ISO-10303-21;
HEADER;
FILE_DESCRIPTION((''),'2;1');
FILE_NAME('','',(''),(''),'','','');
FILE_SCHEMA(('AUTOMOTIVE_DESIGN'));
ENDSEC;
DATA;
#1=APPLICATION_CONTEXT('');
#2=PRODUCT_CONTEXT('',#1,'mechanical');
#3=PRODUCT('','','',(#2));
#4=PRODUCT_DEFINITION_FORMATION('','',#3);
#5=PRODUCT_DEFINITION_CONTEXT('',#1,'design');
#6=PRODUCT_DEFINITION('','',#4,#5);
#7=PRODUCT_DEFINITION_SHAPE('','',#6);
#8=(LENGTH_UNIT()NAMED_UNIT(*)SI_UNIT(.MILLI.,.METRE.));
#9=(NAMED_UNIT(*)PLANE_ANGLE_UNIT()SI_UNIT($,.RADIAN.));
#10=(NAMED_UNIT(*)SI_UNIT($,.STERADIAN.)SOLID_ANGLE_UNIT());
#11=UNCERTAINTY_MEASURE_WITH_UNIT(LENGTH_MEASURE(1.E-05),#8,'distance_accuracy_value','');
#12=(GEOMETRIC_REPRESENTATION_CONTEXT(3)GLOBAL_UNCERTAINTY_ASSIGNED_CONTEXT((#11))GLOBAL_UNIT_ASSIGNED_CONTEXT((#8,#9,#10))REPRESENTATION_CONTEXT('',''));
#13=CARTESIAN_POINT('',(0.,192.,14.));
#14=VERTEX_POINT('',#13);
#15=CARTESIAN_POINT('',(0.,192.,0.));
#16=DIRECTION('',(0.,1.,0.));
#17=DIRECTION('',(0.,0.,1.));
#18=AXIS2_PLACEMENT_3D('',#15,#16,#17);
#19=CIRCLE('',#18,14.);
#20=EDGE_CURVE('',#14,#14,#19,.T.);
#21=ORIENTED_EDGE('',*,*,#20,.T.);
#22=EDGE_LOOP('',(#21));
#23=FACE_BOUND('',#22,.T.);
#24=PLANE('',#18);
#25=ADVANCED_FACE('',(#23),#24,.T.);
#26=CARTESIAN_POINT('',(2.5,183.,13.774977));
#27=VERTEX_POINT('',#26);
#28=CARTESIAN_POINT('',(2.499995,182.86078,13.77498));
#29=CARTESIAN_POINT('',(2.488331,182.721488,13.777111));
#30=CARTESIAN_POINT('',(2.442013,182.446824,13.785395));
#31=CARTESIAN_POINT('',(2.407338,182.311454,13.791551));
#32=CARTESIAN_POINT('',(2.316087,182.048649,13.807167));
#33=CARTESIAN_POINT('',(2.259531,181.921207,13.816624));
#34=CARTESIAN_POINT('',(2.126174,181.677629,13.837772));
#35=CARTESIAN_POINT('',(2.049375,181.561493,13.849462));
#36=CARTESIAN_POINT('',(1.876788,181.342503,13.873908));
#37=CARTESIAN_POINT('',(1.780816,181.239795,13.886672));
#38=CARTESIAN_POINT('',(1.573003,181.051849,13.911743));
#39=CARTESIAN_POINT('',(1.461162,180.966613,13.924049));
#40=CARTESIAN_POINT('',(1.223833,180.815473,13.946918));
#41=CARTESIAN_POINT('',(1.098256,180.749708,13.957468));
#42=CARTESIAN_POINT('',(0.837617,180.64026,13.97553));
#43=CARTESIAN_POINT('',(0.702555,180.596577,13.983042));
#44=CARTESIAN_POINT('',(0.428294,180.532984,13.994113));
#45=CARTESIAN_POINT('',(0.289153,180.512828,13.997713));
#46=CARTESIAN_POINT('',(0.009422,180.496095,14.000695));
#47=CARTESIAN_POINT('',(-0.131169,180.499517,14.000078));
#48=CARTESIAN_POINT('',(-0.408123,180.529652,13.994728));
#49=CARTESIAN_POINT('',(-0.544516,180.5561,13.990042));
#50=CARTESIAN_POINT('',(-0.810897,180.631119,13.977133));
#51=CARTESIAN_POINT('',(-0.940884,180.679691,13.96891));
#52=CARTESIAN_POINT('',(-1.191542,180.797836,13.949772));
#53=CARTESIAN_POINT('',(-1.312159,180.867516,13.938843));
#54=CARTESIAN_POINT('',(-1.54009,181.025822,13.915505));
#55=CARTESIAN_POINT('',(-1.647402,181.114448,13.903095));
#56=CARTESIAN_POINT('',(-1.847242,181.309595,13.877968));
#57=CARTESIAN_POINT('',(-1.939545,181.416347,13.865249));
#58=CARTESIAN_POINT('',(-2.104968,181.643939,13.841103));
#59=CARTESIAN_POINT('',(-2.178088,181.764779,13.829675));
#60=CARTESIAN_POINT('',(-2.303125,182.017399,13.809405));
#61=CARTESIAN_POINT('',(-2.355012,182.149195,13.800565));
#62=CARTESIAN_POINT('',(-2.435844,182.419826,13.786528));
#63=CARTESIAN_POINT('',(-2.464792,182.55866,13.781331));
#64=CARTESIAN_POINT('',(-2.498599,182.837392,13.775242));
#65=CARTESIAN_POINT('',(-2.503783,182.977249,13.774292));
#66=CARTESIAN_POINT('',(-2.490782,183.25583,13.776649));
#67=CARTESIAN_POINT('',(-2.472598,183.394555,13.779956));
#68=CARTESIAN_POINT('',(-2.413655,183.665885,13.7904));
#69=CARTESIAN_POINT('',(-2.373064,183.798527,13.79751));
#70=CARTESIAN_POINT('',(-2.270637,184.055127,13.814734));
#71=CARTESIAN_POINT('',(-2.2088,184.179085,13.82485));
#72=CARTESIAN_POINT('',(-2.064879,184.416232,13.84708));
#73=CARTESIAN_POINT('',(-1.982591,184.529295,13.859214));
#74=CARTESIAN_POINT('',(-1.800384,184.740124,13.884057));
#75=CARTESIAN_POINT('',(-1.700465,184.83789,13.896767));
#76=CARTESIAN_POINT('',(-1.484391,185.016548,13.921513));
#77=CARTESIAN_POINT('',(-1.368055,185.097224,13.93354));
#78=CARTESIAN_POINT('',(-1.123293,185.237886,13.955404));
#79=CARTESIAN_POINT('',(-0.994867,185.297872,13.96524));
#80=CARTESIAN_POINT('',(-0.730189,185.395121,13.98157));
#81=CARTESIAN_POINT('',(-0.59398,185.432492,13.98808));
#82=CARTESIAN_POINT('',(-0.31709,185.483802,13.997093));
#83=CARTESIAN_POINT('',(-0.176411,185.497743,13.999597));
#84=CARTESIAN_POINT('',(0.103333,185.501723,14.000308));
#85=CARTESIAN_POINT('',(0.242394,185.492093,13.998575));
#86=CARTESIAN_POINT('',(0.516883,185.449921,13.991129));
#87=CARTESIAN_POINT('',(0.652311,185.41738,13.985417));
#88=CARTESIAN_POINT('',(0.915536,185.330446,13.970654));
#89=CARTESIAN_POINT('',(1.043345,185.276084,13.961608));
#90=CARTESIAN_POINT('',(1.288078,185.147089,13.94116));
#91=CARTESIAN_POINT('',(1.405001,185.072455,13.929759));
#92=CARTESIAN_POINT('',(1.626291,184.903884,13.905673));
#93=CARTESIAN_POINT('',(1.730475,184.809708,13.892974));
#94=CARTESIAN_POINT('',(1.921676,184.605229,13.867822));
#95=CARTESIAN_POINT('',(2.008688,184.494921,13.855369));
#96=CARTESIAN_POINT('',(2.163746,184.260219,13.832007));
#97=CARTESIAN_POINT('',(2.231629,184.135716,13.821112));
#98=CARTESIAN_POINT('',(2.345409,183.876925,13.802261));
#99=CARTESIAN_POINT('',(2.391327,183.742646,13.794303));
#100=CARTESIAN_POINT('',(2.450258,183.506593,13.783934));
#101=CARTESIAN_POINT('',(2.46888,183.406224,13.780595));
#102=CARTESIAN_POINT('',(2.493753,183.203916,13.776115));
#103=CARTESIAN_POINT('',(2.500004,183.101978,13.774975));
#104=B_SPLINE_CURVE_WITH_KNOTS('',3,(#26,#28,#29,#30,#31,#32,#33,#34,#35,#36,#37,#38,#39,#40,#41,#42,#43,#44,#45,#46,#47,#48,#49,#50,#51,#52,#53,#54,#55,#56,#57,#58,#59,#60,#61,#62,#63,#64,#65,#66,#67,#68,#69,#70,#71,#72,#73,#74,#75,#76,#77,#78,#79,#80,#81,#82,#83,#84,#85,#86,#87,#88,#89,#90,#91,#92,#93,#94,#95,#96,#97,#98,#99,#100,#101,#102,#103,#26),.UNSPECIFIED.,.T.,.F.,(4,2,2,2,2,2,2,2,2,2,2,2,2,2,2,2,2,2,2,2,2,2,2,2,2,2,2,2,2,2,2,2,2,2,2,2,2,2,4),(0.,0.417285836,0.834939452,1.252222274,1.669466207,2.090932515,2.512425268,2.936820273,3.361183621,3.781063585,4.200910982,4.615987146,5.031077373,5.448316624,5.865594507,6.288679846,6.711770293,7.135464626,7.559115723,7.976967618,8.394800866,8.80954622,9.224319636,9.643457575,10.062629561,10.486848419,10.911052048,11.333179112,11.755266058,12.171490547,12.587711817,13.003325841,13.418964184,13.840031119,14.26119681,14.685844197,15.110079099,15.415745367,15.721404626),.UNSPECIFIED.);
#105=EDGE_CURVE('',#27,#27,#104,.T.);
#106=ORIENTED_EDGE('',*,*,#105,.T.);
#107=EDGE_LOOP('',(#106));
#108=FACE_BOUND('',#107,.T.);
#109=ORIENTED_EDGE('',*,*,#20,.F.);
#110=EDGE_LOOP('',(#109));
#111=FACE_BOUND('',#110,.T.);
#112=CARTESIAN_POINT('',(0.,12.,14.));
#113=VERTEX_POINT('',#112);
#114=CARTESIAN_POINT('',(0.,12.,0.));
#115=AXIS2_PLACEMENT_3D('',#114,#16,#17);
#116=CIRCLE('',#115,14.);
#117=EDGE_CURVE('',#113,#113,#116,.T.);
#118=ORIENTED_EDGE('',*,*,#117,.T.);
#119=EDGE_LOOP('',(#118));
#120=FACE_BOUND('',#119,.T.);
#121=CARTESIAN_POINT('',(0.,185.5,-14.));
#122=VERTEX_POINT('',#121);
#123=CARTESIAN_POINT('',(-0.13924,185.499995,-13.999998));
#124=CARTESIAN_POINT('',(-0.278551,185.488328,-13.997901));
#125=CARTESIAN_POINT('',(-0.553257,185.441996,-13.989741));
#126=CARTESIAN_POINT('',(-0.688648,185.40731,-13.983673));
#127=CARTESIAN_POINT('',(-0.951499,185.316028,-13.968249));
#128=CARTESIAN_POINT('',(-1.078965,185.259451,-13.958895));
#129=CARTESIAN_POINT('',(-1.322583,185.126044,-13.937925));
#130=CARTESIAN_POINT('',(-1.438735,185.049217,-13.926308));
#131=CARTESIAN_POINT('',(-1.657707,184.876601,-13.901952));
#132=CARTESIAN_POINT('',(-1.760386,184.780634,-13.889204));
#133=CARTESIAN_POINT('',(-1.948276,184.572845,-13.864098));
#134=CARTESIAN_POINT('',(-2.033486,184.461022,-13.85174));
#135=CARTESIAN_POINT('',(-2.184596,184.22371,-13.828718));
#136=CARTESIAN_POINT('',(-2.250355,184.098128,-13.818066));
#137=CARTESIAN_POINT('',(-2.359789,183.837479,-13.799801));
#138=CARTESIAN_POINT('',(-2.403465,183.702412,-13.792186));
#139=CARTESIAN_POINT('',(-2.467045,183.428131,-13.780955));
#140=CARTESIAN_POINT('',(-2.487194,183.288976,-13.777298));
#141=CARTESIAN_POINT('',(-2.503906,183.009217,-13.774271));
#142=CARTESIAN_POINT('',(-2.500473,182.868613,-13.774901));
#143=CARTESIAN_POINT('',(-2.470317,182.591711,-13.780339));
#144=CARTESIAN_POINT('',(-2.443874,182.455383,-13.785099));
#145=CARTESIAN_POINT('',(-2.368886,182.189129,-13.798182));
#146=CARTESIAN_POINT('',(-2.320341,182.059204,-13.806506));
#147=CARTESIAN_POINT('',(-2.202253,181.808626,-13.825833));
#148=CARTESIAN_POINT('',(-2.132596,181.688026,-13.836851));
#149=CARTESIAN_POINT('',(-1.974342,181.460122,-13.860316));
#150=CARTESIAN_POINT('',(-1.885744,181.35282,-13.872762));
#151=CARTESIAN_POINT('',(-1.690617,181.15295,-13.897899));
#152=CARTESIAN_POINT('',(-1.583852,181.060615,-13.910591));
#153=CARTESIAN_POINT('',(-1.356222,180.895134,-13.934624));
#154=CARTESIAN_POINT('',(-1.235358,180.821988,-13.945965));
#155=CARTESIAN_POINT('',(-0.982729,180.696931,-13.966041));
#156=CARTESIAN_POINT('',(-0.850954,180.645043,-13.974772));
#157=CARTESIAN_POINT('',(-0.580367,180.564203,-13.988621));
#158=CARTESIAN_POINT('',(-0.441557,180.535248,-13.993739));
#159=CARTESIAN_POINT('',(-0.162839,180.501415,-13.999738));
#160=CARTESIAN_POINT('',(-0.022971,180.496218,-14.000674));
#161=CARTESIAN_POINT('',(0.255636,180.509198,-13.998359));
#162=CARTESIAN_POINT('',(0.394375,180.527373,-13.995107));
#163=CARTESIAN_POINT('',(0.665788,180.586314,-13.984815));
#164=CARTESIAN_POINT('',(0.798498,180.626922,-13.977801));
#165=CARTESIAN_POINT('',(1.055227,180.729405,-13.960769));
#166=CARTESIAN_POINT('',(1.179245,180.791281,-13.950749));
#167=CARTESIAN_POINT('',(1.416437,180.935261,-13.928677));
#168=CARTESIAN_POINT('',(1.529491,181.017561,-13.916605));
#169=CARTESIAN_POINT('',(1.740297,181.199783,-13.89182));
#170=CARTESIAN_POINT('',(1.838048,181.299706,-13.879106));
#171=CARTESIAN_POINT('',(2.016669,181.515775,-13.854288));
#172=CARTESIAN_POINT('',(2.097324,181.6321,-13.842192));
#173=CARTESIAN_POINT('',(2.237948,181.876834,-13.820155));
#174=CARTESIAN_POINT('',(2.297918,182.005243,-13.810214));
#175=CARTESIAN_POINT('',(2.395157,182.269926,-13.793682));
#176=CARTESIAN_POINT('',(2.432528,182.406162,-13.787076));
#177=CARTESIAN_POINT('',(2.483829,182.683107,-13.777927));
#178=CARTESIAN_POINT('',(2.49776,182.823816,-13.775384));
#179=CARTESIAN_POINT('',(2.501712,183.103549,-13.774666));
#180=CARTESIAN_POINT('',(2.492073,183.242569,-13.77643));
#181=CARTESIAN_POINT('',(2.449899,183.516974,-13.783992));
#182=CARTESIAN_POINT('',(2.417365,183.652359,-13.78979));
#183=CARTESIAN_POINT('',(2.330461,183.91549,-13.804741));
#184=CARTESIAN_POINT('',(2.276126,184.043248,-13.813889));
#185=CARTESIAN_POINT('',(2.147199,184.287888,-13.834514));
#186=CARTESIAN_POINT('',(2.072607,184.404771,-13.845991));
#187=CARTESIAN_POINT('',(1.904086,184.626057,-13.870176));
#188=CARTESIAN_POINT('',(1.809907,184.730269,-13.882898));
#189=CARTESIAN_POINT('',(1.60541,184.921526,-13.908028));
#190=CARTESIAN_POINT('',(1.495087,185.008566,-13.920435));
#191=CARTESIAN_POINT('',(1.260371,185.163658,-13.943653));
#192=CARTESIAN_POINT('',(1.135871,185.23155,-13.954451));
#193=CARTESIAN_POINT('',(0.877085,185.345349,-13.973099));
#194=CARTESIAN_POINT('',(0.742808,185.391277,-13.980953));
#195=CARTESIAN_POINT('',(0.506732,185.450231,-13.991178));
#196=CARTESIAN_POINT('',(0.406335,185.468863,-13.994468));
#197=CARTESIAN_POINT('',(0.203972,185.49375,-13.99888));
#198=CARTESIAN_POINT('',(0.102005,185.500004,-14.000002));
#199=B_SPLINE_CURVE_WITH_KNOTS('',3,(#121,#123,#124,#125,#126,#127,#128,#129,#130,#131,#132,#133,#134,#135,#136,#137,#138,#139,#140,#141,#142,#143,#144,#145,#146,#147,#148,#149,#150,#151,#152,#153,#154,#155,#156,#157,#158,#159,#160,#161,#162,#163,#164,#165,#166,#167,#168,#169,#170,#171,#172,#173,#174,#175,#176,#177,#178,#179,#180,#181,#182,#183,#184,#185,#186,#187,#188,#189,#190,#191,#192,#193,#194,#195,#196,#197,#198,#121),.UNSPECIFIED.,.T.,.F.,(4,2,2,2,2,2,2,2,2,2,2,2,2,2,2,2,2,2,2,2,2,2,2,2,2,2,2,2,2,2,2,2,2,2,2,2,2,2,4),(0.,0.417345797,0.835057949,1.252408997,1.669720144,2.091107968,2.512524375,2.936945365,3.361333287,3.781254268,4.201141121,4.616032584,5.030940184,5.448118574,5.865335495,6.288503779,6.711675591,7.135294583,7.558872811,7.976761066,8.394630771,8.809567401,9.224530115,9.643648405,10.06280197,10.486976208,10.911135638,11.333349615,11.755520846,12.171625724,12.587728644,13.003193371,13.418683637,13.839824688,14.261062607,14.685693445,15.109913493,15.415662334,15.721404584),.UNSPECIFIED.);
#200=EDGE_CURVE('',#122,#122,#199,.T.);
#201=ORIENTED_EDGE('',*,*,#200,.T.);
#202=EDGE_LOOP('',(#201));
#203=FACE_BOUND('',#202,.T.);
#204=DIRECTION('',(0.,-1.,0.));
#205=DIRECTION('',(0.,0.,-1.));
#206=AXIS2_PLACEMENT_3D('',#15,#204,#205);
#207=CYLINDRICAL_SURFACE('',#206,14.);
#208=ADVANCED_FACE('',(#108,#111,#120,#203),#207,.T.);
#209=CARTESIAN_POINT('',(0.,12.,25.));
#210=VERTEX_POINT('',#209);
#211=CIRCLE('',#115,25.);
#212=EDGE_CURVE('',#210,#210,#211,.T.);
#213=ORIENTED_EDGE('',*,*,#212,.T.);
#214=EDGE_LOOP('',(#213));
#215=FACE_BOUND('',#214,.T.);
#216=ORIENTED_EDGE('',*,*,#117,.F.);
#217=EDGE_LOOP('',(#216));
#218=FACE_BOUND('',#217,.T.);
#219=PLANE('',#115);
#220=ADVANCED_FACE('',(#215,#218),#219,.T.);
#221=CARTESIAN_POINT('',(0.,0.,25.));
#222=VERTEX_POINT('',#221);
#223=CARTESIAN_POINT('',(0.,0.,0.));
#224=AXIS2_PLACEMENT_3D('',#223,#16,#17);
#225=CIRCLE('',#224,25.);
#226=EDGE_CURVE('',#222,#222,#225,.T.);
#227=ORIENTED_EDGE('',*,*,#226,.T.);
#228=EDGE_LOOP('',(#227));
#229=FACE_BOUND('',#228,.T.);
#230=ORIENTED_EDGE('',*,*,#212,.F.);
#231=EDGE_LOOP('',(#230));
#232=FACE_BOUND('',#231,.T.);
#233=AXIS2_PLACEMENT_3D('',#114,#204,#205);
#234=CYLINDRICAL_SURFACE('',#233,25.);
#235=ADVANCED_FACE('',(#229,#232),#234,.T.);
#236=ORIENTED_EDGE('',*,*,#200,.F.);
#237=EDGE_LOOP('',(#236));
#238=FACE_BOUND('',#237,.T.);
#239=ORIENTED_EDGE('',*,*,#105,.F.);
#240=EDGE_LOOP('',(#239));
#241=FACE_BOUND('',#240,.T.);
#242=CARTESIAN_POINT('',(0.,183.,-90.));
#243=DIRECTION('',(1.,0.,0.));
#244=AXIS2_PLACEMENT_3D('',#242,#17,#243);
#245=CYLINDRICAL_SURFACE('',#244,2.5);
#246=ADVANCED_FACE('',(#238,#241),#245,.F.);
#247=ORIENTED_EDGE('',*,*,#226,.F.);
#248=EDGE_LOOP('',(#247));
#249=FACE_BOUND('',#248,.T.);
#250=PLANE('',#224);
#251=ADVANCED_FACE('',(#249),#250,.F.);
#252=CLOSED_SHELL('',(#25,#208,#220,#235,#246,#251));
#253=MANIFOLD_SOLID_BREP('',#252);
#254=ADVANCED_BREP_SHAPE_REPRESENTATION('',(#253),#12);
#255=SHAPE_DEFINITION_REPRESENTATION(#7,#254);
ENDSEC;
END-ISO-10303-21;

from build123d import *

# Parameters (mm, degrees)
SKETCH1_R           = 25
BOSS_EXTRUDE1_DEPTH = 12
SKETCH2_R           = 14
BOSS_EXTRUDE2_DEPTH = 180
SKETCH3_R           = 2.5
CUT_EXTRUDE1_DEPTH  = 90


with BuildPart() as part:
    # Sketch1 → Boss-Extrude1 (new body)
    with BuildSketch(Plane(origin=(0, 0, 0), x_dir=(1, 0, 0), z_dir=(0, 1, 0))):
        with Locations(Location((0, 0, 0), (0, 0, 270))):
            Circle(SKETCH1_R)
    extrude(amount=BOSS_EXTRUDE1_DEPTH)

    # Sketch2 → Boss-Extrude2 (add)
    with BuildSketch(Plane(origin=(0, 12, 0), x_dir=(1, 0, 0), z_dir=(0, 1, 0))):
        with Locations(Location((0, 0, 0), (0, 0, 90))):
            Circle(SKETCH2_R)
    extrude(amount=BOSS_EXTRUDE2_DEPTH)

    # Sketch3 → Cut-Extrude1 (cut, symmetric)
    with BuildSketch(Plane.XY):
        with Locations(Location((0, 183, 0), (0, 0, 90.000000007))):
            Circle(SKETCH3_R)
    extrude(amount=CUT_EXTRUDE1_DEPTH, both=True, mode=Mode.SUBTRACT)


solid = part.part
